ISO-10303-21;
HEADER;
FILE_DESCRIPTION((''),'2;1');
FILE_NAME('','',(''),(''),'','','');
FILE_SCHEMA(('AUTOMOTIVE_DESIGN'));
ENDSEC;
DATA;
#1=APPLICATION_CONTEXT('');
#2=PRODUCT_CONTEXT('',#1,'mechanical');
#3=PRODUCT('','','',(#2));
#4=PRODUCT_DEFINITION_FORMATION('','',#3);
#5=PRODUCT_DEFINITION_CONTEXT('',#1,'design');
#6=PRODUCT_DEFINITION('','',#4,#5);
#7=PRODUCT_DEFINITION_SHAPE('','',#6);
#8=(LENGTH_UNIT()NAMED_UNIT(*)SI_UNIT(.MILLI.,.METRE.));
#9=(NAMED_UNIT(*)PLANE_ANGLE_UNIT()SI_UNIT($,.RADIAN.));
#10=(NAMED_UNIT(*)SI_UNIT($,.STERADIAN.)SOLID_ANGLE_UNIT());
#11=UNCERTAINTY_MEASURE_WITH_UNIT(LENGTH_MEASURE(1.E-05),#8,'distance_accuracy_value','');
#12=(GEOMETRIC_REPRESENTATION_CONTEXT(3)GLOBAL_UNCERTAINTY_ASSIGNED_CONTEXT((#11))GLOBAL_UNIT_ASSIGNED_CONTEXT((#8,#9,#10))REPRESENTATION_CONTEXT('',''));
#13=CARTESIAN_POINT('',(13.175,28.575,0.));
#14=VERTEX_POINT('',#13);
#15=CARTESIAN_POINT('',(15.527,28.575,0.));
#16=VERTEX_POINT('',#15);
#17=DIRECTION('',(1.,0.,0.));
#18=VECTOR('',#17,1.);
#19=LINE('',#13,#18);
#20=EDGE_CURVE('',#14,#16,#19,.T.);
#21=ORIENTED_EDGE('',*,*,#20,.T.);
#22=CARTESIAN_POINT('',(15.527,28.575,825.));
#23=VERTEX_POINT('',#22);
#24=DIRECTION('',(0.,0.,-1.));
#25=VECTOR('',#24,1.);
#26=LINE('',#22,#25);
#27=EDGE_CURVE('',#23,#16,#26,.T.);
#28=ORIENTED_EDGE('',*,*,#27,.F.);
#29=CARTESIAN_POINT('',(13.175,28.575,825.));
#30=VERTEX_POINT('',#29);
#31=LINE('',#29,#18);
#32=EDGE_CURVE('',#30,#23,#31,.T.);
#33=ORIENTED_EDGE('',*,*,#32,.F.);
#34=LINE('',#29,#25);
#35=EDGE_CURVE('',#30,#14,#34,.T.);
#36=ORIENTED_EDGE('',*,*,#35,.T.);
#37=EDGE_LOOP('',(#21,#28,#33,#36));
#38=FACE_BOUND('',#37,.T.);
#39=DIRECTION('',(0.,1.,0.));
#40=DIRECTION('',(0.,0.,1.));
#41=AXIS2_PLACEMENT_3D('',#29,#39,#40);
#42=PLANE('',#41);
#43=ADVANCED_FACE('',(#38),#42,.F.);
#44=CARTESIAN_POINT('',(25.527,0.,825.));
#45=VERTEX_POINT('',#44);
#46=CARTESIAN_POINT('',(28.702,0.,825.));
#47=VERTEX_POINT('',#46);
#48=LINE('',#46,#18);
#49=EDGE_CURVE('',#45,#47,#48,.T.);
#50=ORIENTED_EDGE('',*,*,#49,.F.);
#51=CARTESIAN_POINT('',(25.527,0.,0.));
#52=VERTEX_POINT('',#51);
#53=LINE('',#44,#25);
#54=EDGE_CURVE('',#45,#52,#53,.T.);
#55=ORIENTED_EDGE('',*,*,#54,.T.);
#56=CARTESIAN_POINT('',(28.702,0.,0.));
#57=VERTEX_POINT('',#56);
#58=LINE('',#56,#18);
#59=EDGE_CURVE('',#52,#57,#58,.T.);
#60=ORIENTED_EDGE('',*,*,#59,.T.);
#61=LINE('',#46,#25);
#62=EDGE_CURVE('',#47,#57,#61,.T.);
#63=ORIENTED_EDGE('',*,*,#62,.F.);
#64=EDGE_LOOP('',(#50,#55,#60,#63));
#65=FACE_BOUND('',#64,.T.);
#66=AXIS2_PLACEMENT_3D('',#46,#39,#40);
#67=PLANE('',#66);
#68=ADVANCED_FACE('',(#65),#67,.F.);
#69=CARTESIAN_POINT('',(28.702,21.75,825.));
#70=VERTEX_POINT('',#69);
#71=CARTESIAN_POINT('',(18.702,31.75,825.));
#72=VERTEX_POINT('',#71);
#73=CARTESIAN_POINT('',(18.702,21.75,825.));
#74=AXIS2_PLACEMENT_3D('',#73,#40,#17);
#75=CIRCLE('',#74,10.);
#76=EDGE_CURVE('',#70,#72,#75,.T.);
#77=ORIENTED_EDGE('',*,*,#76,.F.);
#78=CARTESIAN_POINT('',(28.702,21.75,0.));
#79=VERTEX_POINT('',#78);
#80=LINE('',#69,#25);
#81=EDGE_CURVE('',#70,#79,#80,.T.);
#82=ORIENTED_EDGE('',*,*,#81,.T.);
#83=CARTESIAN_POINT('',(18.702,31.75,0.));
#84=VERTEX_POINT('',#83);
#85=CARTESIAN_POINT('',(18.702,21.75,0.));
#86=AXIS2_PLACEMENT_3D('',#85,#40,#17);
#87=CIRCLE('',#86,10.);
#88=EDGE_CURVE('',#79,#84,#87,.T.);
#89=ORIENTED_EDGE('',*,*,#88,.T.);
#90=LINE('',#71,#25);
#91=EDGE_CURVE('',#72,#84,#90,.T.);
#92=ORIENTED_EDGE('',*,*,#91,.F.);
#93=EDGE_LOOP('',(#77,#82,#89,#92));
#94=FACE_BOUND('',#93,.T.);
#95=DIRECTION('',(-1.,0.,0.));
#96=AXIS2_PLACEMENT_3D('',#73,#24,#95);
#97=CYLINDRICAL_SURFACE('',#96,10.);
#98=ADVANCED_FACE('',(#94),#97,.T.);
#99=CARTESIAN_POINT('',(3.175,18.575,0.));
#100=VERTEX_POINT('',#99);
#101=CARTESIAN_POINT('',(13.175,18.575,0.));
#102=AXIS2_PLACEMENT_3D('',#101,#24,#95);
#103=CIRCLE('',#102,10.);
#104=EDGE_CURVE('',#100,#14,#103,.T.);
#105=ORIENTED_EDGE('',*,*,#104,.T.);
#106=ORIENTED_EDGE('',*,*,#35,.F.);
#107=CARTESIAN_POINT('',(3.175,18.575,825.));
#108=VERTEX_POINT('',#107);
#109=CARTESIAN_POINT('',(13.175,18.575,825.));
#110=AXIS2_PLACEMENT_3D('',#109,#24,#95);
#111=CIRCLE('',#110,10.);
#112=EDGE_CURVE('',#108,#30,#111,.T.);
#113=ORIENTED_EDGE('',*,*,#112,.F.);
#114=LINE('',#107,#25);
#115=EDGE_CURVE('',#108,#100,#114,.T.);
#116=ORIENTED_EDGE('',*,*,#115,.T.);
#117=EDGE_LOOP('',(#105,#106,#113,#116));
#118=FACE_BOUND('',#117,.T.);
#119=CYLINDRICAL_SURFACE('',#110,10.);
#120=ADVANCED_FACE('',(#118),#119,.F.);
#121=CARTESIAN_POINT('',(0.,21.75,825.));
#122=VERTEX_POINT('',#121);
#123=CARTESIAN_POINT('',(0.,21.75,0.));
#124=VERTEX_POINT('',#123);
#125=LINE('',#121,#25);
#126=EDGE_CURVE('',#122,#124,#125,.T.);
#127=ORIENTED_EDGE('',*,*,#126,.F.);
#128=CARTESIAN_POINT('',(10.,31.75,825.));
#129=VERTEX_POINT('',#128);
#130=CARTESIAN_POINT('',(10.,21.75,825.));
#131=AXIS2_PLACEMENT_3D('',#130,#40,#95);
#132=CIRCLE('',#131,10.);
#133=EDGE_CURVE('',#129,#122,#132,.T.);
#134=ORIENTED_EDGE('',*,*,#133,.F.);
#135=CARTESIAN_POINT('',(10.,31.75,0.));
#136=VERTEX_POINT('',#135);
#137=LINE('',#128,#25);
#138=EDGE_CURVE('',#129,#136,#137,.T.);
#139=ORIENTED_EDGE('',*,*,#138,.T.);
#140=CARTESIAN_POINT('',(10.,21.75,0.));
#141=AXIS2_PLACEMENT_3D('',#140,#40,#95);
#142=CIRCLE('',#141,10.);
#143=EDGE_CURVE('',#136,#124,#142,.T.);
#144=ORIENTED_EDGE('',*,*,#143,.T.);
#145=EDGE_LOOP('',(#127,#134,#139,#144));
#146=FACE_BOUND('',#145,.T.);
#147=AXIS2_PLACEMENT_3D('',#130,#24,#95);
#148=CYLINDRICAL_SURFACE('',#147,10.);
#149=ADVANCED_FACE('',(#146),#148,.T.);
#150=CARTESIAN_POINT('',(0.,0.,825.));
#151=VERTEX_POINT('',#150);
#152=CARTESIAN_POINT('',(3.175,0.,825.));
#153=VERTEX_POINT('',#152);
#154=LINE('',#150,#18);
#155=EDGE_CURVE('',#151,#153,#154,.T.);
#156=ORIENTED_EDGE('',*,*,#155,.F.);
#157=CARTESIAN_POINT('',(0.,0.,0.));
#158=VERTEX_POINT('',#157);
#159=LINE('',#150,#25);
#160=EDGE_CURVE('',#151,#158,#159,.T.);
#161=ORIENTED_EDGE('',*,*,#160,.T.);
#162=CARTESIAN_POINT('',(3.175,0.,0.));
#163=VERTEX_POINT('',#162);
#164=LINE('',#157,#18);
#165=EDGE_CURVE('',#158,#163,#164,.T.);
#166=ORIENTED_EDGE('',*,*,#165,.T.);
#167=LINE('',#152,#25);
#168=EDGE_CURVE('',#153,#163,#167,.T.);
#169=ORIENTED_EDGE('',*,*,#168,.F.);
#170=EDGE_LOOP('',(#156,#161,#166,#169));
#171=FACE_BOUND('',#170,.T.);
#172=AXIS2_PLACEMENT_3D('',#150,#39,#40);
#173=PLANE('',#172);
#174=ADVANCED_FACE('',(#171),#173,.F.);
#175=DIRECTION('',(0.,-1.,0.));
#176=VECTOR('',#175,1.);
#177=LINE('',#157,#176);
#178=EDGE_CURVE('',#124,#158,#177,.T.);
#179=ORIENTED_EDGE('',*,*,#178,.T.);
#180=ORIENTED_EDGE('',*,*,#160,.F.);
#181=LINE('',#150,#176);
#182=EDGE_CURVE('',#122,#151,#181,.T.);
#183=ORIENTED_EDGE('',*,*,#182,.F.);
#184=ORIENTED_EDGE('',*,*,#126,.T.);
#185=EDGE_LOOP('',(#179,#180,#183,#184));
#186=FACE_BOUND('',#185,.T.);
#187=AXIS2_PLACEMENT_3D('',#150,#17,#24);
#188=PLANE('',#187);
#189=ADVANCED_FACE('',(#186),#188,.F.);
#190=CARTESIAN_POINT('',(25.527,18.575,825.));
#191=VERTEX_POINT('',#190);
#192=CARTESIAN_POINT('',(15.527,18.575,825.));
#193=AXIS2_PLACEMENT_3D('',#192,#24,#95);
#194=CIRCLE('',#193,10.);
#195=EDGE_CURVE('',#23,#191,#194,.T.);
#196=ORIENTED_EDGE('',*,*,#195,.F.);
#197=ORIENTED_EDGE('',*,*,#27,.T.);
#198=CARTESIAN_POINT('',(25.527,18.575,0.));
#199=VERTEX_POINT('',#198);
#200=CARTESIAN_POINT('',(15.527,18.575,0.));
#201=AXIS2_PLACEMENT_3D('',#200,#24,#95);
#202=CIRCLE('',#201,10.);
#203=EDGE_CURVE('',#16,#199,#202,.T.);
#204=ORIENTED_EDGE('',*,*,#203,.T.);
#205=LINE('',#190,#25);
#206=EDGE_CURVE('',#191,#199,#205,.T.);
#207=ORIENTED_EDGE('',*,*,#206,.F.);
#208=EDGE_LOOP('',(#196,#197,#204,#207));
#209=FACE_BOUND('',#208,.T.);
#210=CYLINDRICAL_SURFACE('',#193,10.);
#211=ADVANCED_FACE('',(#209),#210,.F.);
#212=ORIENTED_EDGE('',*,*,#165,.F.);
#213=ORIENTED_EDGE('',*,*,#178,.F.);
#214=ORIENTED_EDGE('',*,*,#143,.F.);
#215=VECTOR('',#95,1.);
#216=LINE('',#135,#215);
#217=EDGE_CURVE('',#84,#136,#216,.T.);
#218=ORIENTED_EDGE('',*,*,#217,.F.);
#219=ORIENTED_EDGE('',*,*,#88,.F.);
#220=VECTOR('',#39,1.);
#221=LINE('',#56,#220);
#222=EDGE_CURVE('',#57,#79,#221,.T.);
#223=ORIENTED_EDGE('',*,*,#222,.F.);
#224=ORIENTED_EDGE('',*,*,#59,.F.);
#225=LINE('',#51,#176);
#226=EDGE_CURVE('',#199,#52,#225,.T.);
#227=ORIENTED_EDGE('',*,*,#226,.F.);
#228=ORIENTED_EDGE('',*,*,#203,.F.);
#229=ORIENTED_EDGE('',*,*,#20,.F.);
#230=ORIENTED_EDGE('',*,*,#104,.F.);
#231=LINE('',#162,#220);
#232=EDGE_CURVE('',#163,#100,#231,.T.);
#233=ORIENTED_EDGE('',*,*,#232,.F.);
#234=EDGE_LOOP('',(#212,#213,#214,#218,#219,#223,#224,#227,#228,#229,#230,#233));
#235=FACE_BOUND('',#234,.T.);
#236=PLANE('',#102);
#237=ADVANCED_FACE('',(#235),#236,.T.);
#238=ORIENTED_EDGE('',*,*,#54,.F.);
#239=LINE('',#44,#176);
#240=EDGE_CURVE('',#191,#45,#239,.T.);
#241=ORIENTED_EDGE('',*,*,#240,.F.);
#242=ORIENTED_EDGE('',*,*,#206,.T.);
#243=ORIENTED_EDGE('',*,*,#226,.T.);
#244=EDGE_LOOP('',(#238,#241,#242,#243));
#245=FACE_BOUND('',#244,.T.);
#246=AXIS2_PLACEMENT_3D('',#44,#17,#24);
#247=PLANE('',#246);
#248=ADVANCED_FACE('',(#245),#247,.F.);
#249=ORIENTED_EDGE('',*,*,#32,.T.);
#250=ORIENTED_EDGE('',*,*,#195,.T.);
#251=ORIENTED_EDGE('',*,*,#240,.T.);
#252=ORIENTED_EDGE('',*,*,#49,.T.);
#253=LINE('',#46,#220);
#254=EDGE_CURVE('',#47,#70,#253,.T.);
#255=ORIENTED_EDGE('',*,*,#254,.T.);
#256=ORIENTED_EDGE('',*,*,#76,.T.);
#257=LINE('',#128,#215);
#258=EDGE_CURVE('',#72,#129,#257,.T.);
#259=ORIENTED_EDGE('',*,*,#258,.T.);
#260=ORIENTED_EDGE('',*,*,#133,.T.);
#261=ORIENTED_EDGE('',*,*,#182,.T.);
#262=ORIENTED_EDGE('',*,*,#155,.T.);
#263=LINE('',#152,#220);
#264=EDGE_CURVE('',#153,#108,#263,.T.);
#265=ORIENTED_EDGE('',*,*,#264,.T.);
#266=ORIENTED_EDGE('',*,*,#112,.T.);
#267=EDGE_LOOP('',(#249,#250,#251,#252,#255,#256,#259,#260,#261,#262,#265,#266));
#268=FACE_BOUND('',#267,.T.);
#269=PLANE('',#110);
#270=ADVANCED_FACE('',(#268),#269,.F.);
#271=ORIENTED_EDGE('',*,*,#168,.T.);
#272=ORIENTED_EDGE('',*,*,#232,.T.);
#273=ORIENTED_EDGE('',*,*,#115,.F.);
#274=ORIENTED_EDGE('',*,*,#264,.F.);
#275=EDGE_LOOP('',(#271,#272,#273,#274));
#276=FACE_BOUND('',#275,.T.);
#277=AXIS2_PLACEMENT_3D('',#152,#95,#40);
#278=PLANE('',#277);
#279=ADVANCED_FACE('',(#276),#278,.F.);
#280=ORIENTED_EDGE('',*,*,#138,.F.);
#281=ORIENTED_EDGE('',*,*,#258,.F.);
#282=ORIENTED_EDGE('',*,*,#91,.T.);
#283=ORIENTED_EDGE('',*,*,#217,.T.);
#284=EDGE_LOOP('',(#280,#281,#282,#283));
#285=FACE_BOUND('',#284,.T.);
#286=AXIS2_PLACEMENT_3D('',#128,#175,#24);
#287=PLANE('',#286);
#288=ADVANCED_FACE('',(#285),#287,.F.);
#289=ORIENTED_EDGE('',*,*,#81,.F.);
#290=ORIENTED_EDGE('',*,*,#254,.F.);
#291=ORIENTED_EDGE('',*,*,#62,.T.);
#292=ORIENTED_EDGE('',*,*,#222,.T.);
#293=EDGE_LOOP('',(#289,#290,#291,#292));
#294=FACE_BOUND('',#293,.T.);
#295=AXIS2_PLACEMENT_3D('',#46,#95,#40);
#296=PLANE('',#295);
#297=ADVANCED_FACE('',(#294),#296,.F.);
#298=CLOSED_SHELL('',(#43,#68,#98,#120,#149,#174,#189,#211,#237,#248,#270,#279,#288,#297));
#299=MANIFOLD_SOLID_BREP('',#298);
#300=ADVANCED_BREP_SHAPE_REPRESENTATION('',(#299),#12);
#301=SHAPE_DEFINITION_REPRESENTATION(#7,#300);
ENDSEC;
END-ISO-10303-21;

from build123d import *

# Parameters (mm, degrees)
BOSS_EXTRUDE1_DEPTH = 825


with BuildPart() as part:
    # Sketch1 → Boss-Extrude1 (new body)
    with BuildSketch(Plane.XY):
        with BuildLine():
            Line((3.175, 0), (3.175, 18.575))
            ThreePointArc((3.175, 18.575), (6.103932188, 25.646067812), (13.175, 28.575))
            Line((13.175, 28.575), (15.527, 28.575))
            ThreePointArc((15.527, 28.575), (22.598067812, 25.646067812), (25.527, 18.575))
            Line((25.527, 18.575), (25.527, 0))
            Line((25.527, 0), (28.702, 0))
            Line((28.702, 0), (28.702, 21.75))
            ThreePointArc((28.702, 21.75), (25.773067812, 28.821067812), (18.702, 31.75))
            Line((18.702, 31.75), (10, 31.75))
            ThreePointArc((10, 31.75), (2.928932188, 28.821067812), (0, 21.75))
            Line((0, 21.75), (0, 0))
            Line((0, 0), (3.175, 0))
        make_face()
    extrude(amount=BOSS_EXTRUDE1_DEPTH)


solid = part.part
